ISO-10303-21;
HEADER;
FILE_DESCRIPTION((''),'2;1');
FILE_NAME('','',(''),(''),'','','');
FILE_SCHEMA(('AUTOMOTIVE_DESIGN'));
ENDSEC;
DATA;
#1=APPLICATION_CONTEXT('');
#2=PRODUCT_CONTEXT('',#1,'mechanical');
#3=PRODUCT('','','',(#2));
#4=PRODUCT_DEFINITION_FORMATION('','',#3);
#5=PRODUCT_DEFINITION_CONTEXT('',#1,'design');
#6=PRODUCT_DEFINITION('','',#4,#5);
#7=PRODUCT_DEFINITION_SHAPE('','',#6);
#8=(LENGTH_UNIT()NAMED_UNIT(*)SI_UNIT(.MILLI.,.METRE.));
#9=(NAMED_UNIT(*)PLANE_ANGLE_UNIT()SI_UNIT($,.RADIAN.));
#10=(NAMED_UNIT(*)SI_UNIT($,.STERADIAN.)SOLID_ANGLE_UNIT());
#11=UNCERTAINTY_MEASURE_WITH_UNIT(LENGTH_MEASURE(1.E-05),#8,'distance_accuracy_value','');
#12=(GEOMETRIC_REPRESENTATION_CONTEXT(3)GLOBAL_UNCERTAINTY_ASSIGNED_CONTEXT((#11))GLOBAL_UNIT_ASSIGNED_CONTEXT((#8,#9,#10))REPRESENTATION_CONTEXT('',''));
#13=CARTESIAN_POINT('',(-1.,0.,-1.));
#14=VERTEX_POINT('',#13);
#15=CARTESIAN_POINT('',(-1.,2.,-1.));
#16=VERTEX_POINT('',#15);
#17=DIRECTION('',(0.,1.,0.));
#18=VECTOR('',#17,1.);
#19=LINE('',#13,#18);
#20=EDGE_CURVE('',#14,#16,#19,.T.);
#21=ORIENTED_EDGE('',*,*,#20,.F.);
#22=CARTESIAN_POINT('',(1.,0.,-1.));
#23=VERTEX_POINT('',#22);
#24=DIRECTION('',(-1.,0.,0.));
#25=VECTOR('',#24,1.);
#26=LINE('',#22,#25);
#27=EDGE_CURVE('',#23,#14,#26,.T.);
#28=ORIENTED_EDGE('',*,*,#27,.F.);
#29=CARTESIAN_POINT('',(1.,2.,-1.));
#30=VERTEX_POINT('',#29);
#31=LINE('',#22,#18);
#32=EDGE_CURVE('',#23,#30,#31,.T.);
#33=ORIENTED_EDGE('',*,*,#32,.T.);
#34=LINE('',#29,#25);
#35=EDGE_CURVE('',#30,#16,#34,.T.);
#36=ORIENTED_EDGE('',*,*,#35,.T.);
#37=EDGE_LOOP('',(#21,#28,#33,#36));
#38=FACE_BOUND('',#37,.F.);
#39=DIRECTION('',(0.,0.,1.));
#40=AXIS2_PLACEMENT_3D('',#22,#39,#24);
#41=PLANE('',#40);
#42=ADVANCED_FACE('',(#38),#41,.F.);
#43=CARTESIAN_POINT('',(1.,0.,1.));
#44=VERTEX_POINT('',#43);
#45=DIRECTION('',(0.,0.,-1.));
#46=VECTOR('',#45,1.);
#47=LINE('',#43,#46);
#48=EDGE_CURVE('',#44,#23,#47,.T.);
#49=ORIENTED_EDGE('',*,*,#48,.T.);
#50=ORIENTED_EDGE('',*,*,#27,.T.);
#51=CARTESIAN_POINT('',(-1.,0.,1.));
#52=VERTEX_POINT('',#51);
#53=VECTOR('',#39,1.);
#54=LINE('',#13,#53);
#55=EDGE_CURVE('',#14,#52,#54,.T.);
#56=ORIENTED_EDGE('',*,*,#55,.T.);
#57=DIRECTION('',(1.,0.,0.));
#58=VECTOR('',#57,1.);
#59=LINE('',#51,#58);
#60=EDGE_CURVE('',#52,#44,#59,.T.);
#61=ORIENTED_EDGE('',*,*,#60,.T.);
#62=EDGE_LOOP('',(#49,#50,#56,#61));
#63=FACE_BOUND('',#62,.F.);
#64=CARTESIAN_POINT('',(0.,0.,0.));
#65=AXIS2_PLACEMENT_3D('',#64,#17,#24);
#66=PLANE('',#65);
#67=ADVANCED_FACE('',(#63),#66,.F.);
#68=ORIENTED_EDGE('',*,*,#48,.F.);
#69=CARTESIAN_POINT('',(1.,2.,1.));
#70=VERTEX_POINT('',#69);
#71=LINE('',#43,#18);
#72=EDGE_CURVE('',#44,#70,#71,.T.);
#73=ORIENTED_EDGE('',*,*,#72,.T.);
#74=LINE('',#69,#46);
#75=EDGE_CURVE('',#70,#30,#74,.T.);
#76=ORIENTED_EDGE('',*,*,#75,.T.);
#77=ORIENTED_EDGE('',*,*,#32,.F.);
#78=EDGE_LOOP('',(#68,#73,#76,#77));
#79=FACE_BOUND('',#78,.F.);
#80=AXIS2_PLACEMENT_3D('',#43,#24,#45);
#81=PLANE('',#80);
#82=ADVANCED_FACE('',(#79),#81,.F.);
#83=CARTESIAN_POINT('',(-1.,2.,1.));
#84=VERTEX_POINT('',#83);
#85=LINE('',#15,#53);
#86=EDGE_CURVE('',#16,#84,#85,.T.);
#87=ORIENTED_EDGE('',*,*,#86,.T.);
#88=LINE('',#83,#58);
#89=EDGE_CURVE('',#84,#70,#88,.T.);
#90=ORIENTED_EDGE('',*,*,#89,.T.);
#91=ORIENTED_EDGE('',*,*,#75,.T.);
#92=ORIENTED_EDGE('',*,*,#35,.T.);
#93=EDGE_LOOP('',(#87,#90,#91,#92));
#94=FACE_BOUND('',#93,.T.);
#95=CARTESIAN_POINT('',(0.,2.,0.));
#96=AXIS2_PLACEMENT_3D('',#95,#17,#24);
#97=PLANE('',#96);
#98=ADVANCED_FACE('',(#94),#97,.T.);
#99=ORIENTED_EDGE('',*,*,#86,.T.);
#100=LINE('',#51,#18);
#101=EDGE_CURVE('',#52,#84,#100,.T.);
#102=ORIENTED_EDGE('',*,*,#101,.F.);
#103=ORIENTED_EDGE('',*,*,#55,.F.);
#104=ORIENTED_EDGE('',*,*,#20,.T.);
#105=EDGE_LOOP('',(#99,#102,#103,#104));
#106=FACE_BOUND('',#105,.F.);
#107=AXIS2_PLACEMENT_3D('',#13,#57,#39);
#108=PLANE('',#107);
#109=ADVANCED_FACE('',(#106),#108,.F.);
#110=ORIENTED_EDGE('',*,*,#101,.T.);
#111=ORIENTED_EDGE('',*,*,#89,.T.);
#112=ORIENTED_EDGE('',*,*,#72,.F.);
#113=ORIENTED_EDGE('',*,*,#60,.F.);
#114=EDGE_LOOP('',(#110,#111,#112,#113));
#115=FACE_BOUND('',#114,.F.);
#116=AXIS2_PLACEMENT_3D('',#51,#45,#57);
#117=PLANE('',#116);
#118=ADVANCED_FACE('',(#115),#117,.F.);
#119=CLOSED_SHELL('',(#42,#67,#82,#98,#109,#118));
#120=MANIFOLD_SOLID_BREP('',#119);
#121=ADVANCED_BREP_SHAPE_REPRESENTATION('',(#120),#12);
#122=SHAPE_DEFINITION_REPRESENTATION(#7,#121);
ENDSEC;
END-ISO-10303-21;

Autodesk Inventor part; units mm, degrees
ref_plane "YZ Plane" through (0, 0, 0) normal (1, 0, 0) x (0, 1, 0)
ref_plane "XZ Plane" through (0, 0, 0) normal (0, 1, 0) x (-1, 0, 0)
ref_plane "XY Plane" through (0, 0, 0) normal (0, 0, 1) x (1, 0, 0)
sketch "Sketch1" plane through (0, 0, 0) normal (0, 1, 0) x (-1, 0, 0)
  line L0 (1, 1) -> (-1, 1)
  line L1 (-1, 1) -> (-1, -1)
  line L2 (-1, -1) -> (1, -1)
  line L3 (1, -1) -> (1, 1)
  point P0 (0, 0)
  dimension "d0" = 2
  dimension "d1" = 2
  dimension "d2" = 1
  dimension "d3" = 1
extrude "Extrusion1" add sketch "Sketch1" along normal blind 2
equation "\"d2\" = 0.5 * d0"
equation "\"d3\" = 0.5 * d0"
properties part number "Camera sensor" material "Lead"
